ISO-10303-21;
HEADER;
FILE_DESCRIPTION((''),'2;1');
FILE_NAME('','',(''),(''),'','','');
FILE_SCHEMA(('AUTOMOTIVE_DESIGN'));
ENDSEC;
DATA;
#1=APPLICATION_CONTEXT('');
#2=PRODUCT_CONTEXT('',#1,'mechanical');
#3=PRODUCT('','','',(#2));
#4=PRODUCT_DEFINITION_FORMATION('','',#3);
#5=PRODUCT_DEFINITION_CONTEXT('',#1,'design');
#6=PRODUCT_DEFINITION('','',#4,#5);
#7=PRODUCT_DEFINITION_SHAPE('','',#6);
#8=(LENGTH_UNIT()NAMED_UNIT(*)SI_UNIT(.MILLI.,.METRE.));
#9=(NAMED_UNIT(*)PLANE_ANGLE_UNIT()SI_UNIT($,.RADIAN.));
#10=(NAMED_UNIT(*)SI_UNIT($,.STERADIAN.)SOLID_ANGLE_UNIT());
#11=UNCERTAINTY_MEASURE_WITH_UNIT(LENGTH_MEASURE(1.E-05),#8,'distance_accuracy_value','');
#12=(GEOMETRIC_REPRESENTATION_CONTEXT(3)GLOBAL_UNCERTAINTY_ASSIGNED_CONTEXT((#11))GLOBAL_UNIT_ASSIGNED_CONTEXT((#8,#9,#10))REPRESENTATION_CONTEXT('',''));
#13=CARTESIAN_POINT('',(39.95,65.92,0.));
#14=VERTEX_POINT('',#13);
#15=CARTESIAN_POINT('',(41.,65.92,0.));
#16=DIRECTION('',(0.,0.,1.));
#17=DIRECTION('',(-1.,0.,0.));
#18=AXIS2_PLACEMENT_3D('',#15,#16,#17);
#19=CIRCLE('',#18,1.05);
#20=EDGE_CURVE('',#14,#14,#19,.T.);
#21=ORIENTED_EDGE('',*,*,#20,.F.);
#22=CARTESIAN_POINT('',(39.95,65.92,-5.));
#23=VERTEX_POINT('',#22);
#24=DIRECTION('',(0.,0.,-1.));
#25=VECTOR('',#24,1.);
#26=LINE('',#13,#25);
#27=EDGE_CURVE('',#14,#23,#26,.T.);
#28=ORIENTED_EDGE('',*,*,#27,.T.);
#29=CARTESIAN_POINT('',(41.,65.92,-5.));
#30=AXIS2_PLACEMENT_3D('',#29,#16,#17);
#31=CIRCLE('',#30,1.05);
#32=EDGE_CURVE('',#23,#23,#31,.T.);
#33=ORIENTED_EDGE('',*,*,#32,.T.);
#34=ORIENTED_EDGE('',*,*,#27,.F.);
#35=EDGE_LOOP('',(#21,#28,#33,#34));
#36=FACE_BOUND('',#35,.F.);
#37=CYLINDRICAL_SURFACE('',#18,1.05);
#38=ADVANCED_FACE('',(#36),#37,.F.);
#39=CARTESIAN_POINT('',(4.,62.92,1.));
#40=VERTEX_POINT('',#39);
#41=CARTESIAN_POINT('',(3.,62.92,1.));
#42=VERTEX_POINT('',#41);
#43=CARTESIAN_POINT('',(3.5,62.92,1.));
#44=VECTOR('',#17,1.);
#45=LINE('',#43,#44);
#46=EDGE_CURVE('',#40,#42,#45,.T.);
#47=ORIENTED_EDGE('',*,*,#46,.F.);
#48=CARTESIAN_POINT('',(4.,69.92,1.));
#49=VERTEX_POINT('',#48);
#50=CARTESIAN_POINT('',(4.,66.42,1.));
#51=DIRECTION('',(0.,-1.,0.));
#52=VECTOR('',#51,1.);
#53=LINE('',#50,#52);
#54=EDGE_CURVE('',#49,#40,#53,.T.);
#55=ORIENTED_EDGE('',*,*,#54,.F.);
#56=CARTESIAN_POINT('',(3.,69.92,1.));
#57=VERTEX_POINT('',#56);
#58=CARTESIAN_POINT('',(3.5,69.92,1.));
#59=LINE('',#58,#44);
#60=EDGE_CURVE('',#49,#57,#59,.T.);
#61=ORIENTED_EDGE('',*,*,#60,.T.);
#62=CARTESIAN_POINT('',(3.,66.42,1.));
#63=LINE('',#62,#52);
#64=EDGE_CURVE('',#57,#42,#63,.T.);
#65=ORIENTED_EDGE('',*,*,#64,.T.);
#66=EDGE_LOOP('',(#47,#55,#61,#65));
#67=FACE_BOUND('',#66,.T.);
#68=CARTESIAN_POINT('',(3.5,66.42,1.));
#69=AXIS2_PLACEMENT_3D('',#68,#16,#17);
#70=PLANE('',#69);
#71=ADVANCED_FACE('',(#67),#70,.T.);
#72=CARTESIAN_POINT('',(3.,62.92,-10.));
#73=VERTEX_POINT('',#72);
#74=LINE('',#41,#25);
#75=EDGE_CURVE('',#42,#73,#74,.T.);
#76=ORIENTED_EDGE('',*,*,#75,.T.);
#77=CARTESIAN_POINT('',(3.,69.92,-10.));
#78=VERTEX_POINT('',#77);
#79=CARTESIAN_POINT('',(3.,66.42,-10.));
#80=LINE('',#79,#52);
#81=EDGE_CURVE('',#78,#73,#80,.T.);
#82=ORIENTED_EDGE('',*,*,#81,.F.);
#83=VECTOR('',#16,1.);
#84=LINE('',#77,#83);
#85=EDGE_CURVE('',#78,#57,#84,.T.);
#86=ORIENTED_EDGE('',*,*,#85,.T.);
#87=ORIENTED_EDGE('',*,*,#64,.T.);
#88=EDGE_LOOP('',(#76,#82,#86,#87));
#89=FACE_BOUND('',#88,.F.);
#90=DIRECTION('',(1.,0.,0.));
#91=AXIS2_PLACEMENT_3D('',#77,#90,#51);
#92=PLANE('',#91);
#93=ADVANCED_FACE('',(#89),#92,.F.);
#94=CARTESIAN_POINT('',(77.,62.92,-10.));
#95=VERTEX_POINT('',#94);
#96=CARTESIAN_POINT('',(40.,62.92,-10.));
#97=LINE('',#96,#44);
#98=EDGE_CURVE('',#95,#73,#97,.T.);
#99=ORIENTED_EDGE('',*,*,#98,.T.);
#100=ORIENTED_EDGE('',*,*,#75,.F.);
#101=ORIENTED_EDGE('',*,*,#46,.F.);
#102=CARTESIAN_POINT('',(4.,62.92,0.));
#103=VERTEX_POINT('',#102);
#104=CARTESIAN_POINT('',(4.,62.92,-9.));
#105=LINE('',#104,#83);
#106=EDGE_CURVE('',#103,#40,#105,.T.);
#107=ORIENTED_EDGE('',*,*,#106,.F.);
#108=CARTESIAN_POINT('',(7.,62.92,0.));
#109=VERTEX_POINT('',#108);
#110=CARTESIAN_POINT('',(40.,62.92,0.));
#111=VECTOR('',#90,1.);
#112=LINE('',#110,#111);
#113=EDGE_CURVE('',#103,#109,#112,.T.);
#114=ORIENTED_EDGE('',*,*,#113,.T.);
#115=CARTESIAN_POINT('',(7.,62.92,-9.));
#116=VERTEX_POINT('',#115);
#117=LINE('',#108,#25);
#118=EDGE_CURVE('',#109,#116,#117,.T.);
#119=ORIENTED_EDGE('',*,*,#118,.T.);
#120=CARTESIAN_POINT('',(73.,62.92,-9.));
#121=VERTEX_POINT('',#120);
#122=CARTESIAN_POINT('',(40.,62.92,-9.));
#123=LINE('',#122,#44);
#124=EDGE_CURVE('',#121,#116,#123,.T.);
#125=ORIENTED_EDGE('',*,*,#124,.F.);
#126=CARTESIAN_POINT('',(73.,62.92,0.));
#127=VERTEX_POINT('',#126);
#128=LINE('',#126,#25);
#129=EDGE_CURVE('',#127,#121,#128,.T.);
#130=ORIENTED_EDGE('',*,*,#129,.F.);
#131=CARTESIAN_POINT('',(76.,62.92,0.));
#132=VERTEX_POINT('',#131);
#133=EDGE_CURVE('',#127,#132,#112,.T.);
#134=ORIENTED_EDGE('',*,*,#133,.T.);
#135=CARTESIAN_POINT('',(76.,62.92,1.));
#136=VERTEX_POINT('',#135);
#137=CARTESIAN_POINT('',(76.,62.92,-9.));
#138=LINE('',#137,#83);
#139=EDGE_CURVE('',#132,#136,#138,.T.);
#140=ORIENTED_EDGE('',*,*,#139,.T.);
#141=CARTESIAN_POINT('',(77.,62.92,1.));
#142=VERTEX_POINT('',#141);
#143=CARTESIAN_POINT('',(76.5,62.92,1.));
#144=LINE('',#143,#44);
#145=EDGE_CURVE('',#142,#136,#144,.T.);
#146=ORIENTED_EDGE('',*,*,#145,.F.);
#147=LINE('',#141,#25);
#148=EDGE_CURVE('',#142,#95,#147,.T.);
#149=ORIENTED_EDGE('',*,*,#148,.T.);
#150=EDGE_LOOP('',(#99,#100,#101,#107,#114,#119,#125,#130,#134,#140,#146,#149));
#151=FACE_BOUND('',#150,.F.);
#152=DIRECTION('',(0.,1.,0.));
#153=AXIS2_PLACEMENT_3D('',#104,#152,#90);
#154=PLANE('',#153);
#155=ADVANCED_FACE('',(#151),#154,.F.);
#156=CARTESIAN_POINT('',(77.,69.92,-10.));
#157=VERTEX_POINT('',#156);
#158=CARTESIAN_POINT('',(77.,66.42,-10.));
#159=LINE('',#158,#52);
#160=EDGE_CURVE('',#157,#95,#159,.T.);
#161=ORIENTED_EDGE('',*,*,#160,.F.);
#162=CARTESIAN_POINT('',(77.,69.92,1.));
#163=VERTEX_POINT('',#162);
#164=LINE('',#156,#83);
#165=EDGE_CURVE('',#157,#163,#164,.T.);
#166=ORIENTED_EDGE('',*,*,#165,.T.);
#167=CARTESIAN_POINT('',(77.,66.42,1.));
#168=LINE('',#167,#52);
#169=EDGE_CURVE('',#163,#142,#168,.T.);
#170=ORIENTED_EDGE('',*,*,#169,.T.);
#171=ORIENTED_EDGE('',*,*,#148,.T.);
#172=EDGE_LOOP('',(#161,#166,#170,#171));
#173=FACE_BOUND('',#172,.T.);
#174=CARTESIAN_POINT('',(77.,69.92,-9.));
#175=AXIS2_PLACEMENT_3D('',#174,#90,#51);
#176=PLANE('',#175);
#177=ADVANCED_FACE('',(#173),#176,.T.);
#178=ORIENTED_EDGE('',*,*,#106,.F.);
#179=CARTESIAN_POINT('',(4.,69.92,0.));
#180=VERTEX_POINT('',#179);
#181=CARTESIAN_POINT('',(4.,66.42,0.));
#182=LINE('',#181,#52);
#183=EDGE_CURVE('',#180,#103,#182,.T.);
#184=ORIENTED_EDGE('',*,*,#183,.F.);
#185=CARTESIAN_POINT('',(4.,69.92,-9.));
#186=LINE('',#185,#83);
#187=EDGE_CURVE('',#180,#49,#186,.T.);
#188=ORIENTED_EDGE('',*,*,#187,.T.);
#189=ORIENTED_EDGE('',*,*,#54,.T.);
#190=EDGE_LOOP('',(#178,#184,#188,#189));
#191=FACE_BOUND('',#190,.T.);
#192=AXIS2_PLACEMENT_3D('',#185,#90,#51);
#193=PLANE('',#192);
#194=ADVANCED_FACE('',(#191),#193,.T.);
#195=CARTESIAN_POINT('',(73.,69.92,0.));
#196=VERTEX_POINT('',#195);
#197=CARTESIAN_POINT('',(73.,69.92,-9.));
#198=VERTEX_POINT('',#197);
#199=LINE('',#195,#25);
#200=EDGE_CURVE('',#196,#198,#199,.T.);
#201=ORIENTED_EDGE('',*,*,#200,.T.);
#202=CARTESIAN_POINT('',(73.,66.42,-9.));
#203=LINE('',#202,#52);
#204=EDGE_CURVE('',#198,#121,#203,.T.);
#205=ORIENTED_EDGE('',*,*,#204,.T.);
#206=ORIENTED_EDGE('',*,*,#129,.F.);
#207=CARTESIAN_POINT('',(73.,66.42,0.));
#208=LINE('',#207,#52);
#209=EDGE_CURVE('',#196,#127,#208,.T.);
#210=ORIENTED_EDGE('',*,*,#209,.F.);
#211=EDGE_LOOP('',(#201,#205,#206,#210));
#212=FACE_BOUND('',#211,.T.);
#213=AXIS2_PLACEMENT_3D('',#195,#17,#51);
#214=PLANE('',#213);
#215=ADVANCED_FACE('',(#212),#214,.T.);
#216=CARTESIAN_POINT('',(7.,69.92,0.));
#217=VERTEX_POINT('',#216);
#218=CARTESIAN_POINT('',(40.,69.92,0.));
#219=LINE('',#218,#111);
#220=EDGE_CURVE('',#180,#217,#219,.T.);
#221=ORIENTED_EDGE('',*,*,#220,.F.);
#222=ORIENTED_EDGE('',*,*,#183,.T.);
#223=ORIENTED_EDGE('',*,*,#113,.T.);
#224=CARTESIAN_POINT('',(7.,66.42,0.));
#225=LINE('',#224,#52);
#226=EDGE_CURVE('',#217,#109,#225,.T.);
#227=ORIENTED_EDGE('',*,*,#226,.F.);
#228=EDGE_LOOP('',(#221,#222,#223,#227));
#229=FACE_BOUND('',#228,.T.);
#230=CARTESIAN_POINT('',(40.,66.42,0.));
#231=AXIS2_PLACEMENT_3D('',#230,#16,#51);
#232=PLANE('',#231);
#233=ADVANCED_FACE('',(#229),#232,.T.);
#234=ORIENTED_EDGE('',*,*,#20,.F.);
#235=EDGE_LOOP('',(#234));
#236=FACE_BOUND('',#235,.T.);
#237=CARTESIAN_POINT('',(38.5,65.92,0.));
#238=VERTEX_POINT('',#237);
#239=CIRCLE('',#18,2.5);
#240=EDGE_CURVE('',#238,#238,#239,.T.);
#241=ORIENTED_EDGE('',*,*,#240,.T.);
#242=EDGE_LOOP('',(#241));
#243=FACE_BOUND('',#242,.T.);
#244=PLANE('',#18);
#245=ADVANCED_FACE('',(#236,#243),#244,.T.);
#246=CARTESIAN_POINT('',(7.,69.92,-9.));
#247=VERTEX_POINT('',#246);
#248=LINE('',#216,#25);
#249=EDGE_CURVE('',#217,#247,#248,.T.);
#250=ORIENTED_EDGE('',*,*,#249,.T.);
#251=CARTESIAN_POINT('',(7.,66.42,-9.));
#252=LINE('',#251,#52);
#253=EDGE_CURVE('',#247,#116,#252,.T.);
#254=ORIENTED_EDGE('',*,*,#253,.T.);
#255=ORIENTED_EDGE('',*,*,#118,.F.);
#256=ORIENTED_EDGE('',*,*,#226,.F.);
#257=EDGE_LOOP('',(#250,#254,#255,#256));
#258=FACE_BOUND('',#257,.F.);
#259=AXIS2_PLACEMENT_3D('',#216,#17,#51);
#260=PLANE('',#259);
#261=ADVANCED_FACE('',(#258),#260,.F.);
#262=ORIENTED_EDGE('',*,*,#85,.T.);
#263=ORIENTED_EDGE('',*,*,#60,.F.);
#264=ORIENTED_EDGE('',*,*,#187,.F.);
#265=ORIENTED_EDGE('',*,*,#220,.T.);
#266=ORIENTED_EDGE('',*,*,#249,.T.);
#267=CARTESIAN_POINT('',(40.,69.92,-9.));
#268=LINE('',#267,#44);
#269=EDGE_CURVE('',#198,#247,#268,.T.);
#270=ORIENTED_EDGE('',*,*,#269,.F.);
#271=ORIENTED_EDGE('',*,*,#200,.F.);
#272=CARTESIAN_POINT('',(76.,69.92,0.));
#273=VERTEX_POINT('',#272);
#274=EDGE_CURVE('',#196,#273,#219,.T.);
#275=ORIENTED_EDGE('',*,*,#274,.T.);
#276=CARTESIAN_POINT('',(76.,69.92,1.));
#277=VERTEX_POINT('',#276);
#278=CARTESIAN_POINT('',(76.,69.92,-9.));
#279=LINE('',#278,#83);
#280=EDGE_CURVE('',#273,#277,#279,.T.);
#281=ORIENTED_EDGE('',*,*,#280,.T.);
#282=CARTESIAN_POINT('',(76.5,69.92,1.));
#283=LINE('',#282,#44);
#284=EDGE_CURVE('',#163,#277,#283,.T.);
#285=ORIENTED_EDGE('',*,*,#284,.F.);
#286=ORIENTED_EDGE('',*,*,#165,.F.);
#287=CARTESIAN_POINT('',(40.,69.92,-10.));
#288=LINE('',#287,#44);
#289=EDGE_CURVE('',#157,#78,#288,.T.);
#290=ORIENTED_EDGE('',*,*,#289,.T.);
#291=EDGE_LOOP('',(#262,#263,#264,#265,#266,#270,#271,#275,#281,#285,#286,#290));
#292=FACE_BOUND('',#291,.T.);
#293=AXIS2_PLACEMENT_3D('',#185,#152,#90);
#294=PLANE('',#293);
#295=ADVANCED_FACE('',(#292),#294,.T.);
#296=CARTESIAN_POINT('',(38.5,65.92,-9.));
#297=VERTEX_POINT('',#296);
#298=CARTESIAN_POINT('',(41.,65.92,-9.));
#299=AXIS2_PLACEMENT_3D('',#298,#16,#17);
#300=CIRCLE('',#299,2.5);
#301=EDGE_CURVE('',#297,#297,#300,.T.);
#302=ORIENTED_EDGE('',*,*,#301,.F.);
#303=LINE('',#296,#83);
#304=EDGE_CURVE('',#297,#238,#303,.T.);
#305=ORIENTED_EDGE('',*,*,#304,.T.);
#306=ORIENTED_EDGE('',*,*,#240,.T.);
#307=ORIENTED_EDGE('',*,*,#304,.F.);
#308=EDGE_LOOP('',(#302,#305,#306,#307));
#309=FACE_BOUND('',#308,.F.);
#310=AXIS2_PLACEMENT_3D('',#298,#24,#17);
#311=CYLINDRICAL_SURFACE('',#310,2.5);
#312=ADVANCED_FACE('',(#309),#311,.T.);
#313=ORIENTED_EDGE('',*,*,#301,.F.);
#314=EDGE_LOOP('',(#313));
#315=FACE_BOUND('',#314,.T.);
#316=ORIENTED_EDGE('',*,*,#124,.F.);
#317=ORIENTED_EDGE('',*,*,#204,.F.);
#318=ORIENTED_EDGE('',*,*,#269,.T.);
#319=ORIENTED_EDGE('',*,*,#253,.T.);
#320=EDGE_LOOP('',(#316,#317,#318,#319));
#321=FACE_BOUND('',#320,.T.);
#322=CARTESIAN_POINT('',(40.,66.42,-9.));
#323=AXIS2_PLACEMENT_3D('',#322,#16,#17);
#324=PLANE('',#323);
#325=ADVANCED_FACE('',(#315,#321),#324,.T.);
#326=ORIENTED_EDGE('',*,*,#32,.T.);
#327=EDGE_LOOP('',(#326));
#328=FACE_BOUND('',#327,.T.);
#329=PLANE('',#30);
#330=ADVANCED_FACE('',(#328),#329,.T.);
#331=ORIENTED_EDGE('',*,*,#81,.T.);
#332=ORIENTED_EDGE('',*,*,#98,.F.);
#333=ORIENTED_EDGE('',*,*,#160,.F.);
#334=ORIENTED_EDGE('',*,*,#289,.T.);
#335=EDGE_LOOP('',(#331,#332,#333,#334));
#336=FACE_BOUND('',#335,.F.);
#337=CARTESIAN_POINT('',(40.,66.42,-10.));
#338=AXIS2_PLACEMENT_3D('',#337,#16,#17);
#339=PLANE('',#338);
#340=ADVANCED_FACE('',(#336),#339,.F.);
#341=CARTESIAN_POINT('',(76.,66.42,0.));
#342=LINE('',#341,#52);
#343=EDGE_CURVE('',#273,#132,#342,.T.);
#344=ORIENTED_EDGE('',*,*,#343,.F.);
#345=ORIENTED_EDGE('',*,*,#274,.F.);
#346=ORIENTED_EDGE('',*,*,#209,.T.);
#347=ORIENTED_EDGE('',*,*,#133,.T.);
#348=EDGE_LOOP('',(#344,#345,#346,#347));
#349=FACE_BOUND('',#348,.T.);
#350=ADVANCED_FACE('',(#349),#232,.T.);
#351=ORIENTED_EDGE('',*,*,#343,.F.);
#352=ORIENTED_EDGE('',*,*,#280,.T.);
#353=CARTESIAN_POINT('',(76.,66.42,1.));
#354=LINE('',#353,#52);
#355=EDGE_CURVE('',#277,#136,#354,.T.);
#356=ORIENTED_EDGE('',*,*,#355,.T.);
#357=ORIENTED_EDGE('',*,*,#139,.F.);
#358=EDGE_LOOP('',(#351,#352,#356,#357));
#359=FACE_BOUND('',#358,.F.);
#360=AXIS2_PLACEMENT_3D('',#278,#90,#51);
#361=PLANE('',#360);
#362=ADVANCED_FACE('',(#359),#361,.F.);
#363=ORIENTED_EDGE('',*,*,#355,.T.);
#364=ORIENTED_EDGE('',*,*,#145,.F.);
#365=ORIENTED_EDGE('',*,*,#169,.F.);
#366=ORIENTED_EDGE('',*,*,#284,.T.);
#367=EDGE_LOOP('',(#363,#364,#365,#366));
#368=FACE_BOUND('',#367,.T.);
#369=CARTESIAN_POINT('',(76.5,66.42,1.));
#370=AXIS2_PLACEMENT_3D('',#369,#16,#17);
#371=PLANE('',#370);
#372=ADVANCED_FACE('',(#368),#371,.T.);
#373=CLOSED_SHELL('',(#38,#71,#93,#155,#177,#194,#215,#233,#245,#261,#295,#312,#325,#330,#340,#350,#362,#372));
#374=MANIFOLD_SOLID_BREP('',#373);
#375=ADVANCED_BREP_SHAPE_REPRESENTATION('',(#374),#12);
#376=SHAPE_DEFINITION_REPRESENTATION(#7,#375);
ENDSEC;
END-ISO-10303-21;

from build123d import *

# Parameters (mm, degrees)
SKETCH027_W             = 74
SKETCH027_H             = 7
PAD018_DEPTH            = 1
SKETCH028_W             = 1
SKETCH028_H             = 7
PAD016_DEPTH            = 10
PAD016_FACE6_W          = 7
PAD016_FACE6_H          = 72
PAD019_DEPTH            = 9
SKETCH031_W             = 66
SKETCH031_H             = 7
POCKET009_DEPTH         = 9
SKETCH032_R             = 2.5
PAD020_DEPTH            = 9
SKETCH030_R             = 1.05
POCKET010_DEPTH         = 5
BODY006_PLACEMENT_ANGLE = 180


with BuildPart() as part:
    # Sketch027 → Pad018 (new body)
    with BuildSketch(Plane.XY):
        with Locations((35, 4.58)):
            Rectangle(SKETCH027_W, SKETCH027_H)
    extrude(amount=PAD018_DEPTH)

    # Sketch028 (on Face6 of Pad018) → Pad016 (join)
    with BuildSketch(Plane.XY.offset(1)):
        with Locations((-1.5, 4.58)):
            Rectangle(SKETCH028_W, SKETCH028_H)
        with Locations((71.5, 4.58)):
            Rectangle(SKETCH028_W, SKETCH028_H)
    extrude(amount=PAD016_DEPTH)

    # Pad016 Face6 → Pad019 (add)
    with BuildSketch(Plane(origin=(35, 4.58, 1), x_dir=(0, 1, 0), z_dir=(0, 0, 1))):
        Rectangle(PAD016_FACE6_W, PAD016_FACE6_H)
    extrude(amount=PAD019_DEPTH)

    # Sketch031 (on Face13 of Pad019) → Pocket009 (cut)
    with BuildSketch(Plane.XY.offset(10)):
        with Locations((35, 4.58)):
            Rectangle(SKETCH031_W, SKETCH031_H)
    extrude(amount=-POCKET009_DEPTH, mode=Mode.SUBTRACT)

    # Sketch032 (on Face7 of Pocket009) → Pad020 (join)
    with BuildSketch(Plane.XY.offset(1)):
        with Locations((34, 5.08)):
            Circle(SKETCH032_R)
    extrude(amount=PAD020_DEPTH)

    # Sketch030 (on Face26 of Pad020) → Pocket010 (cut)
    with BuildSketch(Plane.XY.offset(10)):
        with Locations((34, 5.08)):
            Circle(SKETCH030_R)
    extrude(amount=-POCKET010_DEPTH, mode=Mode.SUBTRACT)


with BuildPart() as part_1:
    # Body006 placement: moved
    add(part.part.moved(Location((75, 71, -10))).rotate(Axis((75, 71, -10), (0, 0, 1)), BODY006_PLACEMENT_ANGLE))


solid = part_1.part
